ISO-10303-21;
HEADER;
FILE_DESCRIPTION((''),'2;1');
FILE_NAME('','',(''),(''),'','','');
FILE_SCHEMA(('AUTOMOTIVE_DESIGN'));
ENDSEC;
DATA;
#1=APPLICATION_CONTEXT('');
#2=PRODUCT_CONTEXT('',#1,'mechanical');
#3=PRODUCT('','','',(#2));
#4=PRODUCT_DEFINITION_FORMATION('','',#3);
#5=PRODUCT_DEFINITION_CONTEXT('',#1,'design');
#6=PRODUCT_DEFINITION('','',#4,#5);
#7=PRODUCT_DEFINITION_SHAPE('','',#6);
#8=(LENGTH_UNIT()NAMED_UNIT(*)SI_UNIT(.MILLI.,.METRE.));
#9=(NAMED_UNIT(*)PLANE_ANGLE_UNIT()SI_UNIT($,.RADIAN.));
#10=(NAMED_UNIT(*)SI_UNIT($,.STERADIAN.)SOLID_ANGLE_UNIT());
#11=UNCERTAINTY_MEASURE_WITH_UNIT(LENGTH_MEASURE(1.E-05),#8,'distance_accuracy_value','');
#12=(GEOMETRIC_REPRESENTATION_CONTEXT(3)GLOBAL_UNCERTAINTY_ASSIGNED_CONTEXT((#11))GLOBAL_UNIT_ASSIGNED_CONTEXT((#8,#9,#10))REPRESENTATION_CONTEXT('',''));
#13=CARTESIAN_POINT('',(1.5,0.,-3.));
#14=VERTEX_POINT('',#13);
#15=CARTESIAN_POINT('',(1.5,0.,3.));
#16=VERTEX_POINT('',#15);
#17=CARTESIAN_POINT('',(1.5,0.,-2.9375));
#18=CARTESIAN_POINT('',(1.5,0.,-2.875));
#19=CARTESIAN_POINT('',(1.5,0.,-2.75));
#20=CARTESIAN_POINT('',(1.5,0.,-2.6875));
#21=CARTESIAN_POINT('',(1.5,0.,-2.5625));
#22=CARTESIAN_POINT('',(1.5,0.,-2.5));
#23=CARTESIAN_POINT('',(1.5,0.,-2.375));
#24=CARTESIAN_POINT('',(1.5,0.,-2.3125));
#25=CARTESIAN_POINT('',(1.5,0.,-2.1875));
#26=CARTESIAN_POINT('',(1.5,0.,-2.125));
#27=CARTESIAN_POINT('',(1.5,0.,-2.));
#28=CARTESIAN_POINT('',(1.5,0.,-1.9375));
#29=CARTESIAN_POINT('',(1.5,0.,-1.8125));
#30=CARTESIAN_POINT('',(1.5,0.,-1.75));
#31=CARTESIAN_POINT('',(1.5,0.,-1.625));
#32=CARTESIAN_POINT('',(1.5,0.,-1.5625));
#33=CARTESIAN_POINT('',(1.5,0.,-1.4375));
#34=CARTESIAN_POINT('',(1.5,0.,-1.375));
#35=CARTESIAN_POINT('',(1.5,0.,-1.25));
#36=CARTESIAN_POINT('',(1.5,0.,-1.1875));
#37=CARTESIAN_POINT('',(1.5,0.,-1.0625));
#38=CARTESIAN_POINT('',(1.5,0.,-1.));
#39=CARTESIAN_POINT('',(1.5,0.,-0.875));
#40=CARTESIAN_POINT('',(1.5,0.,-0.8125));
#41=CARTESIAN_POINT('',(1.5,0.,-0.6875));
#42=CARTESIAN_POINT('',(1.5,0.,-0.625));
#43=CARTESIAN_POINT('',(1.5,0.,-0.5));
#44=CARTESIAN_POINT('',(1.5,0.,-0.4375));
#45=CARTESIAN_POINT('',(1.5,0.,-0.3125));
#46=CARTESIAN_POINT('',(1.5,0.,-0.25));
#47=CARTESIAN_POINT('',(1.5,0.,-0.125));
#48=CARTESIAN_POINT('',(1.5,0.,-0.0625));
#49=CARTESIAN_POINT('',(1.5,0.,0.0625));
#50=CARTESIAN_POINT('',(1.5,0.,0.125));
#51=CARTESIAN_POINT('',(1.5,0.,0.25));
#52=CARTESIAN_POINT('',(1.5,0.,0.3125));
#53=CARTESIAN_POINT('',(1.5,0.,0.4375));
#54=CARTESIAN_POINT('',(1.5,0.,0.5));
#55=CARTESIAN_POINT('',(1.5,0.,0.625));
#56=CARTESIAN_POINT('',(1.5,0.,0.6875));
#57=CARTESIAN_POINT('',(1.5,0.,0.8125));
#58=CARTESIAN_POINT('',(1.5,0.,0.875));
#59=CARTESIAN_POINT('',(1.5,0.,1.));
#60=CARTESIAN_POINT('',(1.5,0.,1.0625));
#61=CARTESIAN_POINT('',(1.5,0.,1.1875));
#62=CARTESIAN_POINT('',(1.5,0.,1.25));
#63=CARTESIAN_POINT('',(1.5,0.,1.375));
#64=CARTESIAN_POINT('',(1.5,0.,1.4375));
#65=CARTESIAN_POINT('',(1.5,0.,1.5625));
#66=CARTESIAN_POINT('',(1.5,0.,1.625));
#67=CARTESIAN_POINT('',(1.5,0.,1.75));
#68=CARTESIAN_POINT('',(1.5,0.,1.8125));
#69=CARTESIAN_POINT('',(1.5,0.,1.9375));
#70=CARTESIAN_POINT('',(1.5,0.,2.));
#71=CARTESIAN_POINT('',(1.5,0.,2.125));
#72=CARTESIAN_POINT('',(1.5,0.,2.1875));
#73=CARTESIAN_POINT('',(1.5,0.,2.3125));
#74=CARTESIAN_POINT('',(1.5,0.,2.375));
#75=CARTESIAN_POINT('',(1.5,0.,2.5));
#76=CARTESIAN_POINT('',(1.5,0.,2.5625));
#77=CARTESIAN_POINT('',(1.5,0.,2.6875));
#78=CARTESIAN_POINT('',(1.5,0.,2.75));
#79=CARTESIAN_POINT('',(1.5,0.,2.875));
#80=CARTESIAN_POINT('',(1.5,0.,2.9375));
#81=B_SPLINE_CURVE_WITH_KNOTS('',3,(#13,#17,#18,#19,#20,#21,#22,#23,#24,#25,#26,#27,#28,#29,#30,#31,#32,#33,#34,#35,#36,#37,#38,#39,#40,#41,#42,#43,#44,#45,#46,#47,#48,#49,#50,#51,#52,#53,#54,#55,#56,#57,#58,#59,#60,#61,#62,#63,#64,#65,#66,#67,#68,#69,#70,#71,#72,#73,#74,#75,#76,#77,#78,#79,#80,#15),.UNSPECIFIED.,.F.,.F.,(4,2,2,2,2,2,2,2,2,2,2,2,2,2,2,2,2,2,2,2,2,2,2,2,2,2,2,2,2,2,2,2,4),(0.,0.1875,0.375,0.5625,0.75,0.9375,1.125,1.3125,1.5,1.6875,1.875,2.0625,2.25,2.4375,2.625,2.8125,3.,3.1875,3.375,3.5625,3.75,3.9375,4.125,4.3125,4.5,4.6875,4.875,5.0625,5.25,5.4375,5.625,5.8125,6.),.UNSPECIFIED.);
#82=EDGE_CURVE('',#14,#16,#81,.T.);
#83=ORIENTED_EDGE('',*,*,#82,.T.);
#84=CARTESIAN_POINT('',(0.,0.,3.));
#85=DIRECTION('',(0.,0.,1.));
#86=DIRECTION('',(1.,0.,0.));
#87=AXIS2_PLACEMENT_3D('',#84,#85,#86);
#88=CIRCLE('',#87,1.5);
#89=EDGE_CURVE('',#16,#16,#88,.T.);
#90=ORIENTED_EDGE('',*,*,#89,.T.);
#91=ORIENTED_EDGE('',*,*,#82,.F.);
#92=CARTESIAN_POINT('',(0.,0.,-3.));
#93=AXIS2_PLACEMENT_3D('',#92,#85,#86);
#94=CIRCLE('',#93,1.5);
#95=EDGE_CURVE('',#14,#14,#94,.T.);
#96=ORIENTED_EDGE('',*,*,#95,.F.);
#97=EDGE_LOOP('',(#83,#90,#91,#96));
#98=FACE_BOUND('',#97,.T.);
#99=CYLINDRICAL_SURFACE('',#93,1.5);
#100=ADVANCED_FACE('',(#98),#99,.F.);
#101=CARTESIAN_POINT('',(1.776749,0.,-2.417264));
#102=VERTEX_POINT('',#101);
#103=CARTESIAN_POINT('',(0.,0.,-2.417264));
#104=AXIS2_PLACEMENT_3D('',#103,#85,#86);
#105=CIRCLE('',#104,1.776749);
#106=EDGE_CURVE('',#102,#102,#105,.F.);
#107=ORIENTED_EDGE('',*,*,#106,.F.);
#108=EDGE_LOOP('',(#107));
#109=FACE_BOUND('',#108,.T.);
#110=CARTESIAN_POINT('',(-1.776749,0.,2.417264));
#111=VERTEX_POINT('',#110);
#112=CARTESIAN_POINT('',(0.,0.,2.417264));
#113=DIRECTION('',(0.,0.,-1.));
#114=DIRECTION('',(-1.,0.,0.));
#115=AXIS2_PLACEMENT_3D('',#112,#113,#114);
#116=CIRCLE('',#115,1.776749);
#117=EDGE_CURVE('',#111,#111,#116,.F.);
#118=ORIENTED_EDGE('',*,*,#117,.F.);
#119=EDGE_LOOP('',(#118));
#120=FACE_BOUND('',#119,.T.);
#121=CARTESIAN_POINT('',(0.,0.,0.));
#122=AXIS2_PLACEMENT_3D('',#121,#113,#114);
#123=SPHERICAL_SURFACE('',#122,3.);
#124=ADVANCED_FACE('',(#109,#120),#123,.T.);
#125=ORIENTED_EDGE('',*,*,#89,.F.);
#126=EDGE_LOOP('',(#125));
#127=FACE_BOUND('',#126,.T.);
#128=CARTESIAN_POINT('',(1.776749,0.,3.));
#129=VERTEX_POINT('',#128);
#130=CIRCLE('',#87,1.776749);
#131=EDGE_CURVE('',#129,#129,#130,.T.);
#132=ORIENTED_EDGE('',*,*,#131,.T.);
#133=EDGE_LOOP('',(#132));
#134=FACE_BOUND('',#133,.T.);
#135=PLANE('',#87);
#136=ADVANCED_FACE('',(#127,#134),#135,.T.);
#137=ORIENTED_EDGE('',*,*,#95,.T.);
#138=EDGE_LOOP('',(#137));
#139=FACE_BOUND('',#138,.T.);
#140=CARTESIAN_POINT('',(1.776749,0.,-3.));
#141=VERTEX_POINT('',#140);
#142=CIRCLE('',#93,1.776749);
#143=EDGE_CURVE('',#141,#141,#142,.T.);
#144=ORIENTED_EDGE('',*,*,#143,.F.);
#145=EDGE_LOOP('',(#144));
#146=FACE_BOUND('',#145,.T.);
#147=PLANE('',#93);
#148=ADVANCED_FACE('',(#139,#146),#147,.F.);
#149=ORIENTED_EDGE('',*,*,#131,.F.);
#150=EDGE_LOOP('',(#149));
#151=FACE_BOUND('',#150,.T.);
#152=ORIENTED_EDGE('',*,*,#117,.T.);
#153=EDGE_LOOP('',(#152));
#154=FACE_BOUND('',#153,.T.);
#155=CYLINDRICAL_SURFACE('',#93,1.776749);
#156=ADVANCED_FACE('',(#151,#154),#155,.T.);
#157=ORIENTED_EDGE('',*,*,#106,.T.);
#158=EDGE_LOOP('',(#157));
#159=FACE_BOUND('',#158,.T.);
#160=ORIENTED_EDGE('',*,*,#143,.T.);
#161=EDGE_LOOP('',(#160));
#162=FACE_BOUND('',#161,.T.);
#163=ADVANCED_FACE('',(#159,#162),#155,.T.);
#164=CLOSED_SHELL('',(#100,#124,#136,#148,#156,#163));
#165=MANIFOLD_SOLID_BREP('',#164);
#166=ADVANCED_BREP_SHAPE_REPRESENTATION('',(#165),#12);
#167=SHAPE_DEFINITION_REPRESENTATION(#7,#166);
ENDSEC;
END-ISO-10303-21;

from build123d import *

# Parameters (mm, degrees)
ENL_V_MAT_EXTRU_1_DEPTH      = 6.196152423
ENL_V_MAT_EXTRU_1_DEPTH_BACK = 6.196152423
ESQUISSE2_R                  = 1.5
BOSS_EXTRU_1_DEPTH           = 3
BOSS_EXTRU_1_DEPTH_BACK      = 3
ESQUISSE3_R                  = 1.776748734
ESQUISSE3_R_2                = 1.5


with BuildPart() as part:
    # Esquisse1 → Révolution1 (revolve)
    with BuildSketch(Plane.XY):
        with BuildLine():
            Line((0, -3), (0, 3))
            ThreePointArc((0, 3), (-3, 0), (0, -3))
        make_face()
    revolve(axis=Axis((0, 4.208011384, 0), (0, -1, 0)))

    # Esquisse2 → Enlèv. mat.-Extru.1 (cut, two sides: drawn at the far end of the back side and taken through both)
    with BuildSketch(Plane.XY.offset(-ENL_V_MAT_EXTRU_1_DEPTH_BACK)):
        Circle(ESQUISSE2_R)
    extrude(amount=ENL_V_MAT_EXTRU_1_DEPTH + ENL_V_MAT_EXTRU_1_DEPTH_BACK, mode=Mode.SUBTRACT)

    # Esquisse3 → Boss.-Extru.1 (add, two sides: drawn at the far end of the back side and taken through both)
    with BuildSketch(Plane.XY.offset(-BOSS_EXTRU_1_DEPTH_BACK)):
        Circle(ESQUISSE3_R)
        Circle(ESQUISSE3_R_2, mode=Mode.SUBTRACT)
    extrude(amount=BOSS_EXTRU_1_DEPTH + BOSS_EXTRU_1_DEPTH_BACK)


solid = part.part
